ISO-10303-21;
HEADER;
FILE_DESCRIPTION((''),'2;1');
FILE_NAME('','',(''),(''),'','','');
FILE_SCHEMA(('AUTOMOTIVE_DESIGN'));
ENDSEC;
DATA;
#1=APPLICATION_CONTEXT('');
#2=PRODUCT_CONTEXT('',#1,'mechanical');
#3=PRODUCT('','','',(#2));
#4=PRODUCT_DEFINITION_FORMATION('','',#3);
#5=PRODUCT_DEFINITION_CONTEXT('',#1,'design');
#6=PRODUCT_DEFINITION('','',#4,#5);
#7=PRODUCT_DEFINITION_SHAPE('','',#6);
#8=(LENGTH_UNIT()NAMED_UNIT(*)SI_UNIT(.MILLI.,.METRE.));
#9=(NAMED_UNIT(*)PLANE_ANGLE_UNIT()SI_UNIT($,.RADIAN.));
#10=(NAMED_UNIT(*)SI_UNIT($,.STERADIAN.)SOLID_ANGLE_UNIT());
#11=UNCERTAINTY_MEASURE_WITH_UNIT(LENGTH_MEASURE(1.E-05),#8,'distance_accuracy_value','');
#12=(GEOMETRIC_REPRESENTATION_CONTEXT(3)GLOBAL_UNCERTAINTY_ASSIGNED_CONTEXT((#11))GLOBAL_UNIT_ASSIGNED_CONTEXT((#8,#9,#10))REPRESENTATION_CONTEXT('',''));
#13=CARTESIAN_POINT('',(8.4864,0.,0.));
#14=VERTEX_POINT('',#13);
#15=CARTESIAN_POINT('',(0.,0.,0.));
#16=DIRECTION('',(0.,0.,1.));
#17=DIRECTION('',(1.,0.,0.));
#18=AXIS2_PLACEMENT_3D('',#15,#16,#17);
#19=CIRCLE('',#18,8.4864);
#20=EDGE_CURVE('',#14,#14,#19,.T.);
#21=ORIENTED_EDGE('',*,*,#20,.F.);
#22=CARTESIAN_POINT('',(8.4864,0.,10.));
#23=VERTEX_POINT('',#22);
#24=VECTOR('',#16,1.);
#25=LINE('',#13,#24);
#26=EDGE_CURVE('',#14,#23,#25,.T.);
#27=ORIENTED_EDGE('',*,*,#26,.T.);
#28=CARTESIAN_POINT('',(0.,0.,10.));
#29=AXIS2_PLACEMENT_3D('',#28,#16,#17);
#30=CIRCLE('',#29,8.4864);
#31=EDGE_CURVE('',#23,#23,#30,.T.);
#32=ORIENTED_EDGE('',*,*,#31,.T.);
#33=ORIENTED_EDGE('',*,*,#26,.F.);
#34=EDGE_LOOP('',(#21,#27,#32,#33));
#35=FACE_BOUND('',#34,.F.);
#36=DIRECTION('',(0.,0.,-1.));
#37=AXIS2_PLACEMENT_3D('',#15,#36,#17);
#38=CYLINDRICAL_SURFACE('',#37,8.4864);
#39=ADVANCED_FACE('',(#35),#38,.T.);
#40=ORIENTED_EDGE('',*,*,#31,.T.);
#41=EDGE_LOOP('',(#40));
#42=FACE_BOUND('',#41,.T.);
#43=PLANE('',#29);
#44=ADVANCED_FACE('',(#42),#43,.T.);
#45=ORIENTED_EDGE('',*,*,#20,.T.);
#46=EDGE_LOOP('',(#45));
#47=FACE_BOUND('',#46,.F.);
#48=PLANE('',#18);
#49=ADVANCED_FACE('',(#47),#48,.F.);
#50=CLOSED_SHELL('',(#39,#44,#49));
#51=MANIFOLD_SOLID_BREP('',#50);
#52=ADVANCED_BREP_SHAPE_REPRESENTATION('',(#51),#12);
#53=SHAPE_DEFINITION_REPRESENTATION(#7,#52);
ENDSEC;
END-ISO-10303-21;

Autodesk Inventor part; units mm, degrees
ref_plane "YZ Plane" through (0, 0, 0) normal (1, 0, 0) x (0, 1, 0)
ref_plane "XZ Plane" through (0, 0, 0) normal (0, 1, 0) x (-1, 0, 0)
ref_plane "XY Plane" through (0, 0, 0) normal (0, 0, 1) x (1, 0, 0)
sketch "Sketch1" plane through (0, 0, 0) normal (0, 0, 1) x (1, 0, 0)
  circle A0 centre (0, 0) radius 8.4864
  dimension "d0" = 16.9728
extrude "Extrusion1" add sketch "Sketch1" along normal blind 10
